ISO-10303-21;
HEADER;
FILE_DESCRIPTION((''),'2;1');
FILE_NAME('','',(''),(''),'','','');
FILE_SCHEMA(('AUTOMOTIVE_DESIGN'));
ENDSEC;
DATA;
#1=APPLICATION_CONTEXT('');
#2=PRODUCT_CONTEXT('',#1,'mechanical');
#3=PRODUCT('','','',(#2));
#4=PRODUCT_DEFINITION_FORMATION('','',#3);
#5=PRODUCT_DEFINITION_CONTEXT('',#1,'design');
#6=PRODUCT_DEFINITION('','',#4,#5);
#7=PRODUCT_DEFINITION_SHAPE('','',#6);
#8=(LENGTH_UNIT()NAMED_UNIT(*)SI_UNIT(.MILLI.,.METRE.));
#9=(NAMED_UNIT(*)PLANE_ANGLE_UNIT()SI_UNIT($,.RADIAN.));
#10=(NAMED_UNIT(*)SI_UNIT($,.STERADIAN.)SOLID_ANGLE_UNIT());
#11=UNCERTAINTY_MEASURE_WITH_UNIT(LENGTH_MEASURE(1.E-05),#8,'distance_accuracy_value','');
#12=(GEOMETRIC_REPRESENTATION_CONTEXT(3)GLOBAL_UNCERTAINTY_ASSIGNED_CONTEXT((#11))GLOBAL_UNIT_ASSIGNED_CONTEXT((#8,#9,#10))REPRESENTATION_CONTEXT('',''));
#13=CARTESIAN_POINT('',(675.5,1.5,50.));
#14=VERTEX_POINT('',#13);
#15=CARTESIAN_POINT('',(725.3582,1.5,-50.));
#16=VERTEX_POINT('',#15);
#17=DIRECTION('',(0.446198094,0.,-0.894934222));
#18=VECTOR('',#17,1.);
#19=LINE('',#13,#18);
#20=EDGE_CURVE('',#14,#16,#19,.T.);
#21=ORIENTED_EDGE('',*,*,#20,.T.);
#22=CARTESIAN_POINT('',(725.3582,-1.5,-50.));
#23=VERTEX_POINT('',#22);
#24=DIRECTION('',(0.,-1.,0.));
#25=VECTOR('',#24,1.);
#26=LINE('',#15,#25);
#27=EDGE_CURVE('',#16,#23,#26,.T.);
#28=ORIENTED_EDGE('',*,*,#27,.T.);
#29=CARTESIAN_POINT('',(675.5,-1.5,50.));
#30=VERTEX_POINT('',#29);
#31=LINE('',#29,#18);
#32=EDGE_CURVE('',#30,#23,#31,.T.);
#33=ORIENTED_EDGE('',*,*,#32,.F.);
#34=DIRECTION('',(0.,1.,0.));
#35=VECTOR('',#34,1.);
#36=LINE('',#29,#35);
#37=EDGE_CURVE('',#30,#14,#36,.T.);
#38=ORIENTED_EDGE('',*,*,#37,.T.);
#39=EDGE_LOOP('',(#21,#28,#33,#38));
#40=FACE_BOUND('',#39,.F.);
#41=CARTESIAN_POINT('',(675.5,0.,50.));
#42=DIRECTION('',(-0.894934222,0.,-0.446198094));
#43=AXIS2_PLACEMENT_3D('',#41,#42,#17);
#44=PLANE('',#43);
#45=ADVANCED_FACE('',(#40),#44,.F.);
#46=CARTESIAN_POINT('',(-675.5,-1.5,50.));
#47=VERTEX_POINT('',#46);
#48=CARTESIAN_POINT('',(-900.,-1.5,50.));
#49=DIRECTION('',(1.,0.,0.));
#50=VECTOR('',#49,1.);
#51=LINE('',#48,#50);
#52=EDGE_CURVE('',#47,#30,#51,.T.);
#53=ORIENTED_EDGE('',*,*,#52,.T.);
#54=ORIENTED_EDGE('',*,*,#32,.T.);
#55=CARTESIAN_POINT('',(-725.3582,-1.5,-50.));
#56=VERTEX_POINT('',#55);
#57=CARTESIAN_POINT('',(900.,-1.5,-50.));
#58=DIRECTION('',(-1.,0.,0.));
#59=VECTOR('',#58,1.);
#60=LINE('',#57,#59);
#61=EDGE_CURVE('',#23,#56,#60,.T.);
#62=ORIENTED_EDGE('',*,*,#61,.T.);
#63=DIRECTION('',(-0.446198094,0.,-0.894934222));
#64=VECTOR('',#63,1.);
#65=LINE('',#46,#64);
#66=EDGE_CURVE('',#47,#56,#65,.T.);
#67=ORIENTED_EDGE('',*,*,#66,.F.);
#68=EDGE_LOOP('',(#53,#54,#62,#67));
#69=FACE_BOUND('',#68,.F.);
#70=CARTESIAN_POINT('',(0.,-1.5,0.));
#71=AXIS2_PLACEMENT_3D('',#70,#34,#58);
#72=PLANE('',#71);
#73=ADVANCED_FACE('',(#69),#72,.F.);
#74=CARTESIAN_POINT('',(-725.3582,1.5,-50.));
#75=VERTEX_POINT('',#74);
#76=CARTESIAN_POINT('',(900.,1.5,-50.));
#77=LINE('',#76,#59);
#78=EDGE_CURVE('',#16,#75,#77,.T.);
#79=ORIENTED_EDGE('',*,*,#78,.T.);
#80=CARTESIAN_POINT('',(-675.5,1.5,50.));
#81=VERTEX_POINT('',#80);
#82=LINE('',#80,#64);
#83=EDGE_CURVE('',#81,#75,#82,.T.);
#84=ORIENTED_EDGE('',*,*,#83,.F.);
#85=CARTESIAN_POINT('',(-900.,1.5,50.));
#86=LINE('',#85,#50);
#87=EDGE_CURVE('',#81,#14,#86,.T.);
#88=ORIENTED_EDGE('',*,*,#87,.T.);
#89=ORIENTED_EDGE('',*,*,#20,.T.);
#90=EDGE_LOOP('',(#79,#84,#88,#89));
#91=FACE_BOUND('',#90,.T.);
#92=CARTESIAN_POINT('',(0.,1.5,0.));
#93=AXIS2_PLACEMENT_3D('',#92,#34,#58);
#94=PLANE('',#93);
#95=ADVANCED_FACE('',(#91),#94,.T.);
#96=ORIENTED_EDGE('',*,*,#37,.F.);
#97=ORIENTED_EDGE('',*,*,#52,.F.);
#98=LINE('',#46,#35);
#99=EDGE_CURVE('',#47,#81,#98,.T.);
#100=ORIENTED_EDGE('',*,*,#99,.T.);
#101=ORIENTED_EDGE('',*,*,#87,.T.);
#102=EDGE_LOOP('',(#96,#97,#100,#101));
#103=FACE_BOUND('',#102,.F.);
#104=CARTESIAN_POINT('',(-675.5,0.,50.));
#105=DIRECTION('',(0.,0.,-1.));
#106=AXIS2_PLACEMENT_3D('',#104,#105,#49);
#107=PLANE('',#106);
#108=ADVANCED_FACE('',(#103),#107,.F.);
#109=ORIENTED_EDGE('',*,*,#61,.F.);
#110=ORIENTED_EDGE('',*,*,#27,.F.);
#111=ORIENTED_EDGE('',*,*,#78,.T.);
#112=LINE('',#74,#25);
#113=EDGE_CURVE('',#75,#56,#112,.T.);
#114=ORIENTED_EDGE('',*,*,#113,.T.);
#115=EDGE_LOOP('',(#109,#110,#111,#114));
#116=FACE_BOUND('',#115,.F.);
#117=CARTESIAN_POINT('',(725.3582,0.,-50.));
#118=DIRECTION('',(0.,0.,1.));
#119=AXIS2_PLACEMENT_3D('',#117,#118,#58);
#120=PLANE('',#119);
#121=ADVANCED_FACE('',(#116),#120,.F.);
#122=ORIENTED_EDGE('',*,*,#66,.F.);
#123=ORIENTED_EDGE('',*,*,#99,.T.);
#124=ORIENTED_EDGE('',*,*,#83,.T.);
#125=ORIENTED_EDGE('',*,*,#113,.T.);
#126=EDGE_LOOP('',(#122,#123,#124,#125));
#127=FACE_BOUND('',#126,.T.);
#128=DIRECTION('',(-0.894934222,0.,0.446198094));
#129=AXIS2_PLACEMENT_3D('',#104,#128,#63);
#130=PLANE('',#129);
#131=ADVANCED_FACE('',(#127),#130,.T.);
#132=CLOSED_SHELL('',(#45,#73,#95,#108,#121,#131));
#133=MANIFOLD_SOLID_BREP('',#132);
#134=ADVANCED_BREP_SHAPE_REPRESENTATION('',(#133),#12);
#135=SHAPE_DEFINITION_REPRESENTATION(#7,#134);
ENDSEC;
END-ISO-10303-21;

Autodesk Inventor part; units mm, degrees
ref_plane "YZ Plane" through (0, 0, 0) normal (1, 0, 0) x (0, 1, 0)
ref_plane "XZ Plane" through (0, 0, 0) normal (0, 1, 0) x (-1, 0, 0)
ref_plane "XY Plane" through (0, 0, 0) normal (0, 0, 1) x (1, 0, 0)
sketch "Sketch1" plane through (0, 0, 0) normal (0, 1, 0) x (-1, 0, 0)
  line L0 (900, 50) -> (-900, 50)
  line L1 (-900, 50) -> (-900, -50)
  line L2 (-900, -50) -> (900, -50)
  line L3 (900, -50) -> (900, 50)
  line L4 (900, 50) -> (-900, -50) construction
  line L5 (675.5, 50) -> (725.3582, -50)
  line L6 (0, 50) -> (0, -50) construction
  line L7 (-675.5, 50) -> (-725.3582, -50)
  point P0 (0, 0)
  point P1 (0, 0)
  dimension "d0" = 100
  dimension "d1" = 1800
  dimension "d3" = 116.5
  dimension "d6" = 675.5
  dimension "d7" = 116.5
  dimension "d8" = 675.5
extrude "Plate1" add sketch "Sketch1" along normal mid plane 3 contours L5 L2 L7 L0
equation "\"d7\" = d3"
equation "\"d8\" = d6"
equation "\"d2\" = Thickness"
equation "\"BendReliefWidth\" = Thickness"
equation "\"BendReliefDepth\" = 0.5 * Thickness"
equation "\"CornerReliefSize\" = 4 * Thickness"
equation "\"MinimumRemnant\" = 2 * Thickness"
equation "\"TransitionRadius\" = BendRadius"
equation "\"JacobiRadiusSize\" = BendRadius"
equation "\"GapSize\" = Thickness"
equation "\"Thickness\" = 3"
equation "\"BendRadius\" = 5"
properties part number "MSC 206 GRID_CPY" material "Stainless Steel"
